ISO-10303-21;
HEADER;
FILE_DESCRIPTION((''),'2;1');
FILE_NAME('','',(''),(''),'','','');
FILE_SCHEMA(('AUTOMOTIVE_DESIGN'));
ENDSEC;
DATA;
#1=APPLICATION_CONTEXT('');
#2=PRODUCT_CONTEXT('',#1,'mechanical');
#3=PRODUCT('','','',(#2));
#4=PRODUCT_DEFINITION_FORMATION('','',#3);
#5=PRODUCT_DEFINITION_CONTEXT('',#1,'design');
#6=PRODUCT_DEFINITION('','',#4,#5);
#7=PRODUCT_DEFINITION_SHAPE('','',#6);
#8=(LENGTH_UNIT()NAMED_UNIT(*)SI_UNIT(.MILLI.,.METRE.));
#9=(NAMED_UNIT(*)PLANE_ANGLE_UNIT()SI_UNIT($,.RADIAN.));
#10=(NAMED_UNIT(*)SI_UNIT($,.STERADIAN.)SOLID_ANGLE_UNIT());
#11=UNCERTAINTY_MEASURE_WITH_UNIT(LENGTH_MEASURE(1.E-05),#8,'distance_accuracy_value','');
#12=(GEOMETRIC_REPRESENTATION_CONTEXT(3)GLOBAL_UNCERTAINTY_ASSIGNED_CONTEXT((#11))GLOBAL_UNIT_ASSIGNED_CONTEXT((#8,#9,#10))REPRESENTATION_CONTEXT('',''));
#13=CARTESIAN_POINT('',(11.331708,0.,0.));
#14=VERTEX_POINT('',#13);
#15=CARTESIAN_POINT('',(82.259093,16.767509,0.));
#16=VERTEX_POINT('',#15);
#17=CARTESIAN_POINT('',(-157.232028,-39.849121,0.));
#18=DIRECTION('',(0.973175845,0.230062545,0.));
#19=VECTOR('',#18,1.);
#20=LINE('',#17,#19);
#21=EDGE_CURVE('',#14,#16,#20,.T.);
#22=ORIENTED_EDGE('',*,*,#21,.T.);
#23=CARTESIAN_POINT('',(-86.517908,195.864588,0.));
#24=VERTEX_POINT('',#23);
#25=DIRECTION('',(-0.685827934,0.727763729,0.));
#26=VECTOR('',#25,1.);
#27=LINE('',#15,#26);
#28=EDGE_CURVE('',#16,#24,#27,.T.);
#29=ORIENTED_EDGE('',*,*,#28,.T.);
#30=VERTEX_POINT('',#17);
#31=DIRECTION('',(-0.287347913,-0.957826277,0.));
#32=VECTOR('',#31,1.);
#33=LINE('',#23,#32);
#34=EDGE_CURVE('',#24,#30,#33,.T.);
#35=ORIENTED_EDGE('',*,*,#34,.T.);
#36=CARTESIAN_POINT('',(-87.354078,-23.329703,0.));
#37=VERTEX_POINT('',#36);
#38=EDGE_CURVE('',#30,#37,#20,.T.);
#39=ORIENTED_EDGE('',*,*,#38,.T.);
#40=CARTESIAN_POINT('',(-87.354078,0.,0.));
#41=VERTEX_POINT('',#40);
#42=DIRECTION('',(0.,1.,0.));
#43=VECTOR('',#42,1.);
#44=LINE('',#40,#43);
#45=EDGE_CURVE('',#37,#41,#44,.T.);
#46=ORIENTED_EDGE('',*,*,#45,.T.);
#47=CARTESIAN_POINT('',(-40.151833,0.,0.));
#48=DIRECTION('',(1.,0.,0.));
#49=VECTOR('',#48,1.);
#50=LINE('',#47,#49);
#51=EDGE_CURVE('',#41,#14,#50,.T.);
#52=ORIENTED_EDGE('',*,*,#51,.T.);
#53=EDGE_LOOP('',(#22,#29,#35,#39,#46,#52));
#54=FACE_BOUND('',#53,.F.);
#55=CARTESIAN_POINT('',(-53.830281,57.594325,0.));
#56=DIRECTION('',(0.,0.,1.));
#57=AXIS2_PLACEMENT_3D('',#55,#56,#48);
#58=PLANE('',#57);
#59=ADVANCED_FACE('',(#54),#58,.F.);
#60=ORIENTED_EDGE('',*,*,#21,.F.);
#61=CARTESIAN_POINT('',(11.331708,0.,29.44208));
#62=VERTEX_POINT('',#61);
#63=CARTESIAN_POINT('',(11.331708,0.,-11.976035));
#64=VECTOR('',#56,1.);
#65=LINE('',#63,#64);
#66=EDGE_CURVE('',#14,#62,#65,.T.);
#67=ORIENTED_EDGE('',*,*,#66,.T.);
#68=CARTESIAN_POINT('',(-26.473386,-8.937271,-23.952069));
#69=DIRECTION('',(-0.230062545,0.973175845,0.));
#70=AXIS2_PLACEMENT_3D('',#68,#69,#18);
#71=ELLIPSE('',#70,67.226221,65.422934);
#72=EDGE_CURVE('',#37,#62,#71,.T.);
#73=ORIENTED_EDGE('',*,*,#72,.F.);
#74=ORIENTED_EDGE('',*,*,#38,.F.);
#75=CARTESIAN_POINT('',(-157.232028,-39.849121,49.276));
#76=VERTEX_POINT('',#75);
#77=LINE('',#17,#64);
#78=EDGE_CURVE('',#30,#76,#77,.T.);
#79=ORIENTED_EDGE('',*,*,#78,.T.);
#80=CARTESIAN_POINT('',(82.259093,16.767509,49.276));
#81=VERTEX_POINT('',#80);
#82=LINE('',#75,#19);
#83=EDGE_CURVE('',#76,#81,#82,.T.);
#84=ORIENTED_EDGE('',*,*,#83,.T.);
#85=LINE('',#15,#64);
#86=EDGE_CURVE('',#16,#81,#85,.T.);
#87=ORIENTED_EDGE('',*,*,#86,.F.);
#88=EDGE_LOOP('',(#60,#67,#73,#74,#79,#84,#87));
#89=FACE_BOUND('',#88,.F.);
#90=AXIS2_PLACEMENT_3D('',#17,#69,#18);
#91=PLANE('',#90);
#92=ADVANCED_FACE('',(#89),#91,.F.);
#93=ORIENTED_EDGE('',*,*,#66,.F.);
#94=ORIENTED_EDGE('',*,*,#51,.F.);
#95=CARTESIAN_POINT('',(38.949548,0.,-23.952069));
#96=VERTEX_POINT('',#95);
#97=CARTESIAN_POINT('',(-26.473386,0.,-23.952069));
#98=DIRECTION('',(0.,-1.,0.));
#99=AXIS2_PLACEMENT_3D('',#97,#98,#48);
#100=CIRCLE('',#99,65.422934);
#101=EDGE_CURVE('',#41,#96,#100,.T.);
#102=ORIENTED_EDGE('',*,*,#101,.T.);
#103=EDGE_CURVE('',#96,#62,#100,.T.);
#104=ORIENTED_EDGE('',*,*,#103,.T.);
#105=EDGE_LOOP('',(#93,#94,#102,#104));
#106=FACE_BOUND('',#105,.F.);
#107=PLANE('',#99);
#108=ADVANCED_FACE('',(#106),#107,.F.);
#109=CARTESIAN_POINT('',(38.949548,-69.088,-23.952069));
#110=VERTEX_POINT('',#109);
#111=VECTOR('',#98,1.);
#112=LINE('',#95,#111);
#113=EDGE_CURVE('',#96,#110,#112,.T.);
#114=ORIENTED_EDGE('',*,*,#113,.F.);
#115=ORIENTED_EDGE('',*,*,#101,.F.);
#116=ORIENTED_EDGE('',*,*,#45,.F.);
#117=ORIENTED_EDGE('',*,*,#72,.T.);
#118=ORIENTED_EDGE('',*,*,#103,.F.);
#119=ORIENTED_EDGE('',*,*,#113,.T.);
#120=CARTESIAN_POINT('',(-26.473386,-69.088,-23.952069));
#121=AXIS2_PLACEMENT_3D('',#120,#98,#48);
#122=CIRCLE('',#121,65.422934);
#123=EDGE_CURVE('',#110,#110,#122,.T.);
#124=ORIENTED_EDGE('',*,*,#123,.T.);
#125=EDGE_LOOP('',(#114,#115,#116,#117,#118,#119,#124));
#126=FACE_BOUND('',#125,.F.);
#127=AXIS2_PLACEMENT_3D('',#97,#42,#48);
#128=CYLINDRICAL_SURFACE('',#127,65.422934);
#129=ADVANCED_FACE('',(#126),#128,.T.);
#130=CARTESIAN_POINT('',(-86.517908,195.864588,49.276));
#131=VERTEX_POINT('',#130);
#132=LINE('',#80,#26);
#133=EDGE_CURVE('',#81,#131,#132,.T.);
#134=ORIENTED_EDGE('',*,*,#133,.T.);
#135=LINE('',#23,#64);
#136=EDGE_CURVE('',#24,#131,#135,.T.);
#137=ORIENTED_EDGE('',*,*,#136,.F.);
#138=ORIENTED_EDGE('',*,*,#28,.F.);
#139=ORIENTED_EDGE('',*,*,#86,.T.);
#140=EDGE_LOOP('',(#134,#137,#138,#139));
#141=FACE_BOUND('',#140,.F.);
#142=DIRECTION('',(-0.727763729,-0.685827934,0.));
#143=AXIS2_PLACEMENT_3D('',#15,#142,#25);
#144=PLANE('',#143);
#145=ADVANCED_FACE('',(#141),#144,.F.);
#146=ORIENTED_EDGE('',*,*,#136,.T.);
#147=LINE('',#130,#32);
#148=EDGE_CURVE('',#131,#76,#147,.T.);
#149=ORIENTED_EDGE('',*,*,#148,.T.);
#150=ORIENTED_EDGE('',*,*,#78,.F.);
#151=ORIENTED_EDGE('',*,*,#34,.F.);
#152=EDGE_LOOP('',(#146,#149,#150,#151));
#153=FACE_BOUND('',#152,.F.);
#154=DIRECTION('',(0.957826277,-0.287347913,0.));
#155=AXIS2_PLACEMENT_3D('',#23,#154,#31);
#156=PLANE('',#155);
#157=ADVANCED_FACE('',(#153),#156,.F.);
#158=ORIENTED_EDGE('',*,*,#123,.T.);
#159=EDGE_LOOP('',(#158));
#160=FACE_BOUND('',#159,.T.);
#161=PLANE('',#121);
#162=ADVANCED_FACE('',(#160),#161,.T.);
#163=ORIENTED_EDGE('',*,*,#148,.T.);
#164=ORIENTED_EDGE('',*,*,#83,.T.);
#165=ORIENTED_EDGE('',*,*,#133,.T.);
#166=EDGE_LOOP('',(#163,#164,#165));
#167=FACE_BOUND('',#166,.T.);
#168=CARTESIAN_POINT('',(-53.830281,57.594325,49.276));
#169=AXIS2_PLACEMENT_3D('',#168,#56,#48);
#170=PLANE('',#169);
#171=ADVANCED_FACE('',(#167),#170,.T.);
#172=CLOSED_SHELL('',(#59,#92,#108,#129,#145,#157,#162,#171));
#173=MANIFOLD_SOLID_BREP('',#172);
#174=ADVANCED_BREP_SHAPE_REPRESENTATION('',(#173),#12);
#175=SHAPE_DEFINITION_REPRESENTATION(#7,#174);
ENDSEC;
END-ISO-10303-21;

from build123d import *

# Parameters (mm, degrees)
F1_DEPTH = 49.276
F2_R     = 65.422934
F3_DEPTH = 69.088


with BuildPart() as f1:
    # F0 (on Top) → F1 (new body)
    with BuildSketch(Plane.XY):
        Polygon((-157.232028, -39.849121), (82.259093, 16.767509), (-86.517908, 195.864588), align=None)
    extrude(amount=F1_DEPTH)

    # F2 (on Front) → F3 (join)
    with BuildSketch(Plane.XZ):
        with Locations((-26.473386, -23.952069)):
            Circle(F2_R)
    extrude(amount=F3_DEPTH)


solid = f1.part
